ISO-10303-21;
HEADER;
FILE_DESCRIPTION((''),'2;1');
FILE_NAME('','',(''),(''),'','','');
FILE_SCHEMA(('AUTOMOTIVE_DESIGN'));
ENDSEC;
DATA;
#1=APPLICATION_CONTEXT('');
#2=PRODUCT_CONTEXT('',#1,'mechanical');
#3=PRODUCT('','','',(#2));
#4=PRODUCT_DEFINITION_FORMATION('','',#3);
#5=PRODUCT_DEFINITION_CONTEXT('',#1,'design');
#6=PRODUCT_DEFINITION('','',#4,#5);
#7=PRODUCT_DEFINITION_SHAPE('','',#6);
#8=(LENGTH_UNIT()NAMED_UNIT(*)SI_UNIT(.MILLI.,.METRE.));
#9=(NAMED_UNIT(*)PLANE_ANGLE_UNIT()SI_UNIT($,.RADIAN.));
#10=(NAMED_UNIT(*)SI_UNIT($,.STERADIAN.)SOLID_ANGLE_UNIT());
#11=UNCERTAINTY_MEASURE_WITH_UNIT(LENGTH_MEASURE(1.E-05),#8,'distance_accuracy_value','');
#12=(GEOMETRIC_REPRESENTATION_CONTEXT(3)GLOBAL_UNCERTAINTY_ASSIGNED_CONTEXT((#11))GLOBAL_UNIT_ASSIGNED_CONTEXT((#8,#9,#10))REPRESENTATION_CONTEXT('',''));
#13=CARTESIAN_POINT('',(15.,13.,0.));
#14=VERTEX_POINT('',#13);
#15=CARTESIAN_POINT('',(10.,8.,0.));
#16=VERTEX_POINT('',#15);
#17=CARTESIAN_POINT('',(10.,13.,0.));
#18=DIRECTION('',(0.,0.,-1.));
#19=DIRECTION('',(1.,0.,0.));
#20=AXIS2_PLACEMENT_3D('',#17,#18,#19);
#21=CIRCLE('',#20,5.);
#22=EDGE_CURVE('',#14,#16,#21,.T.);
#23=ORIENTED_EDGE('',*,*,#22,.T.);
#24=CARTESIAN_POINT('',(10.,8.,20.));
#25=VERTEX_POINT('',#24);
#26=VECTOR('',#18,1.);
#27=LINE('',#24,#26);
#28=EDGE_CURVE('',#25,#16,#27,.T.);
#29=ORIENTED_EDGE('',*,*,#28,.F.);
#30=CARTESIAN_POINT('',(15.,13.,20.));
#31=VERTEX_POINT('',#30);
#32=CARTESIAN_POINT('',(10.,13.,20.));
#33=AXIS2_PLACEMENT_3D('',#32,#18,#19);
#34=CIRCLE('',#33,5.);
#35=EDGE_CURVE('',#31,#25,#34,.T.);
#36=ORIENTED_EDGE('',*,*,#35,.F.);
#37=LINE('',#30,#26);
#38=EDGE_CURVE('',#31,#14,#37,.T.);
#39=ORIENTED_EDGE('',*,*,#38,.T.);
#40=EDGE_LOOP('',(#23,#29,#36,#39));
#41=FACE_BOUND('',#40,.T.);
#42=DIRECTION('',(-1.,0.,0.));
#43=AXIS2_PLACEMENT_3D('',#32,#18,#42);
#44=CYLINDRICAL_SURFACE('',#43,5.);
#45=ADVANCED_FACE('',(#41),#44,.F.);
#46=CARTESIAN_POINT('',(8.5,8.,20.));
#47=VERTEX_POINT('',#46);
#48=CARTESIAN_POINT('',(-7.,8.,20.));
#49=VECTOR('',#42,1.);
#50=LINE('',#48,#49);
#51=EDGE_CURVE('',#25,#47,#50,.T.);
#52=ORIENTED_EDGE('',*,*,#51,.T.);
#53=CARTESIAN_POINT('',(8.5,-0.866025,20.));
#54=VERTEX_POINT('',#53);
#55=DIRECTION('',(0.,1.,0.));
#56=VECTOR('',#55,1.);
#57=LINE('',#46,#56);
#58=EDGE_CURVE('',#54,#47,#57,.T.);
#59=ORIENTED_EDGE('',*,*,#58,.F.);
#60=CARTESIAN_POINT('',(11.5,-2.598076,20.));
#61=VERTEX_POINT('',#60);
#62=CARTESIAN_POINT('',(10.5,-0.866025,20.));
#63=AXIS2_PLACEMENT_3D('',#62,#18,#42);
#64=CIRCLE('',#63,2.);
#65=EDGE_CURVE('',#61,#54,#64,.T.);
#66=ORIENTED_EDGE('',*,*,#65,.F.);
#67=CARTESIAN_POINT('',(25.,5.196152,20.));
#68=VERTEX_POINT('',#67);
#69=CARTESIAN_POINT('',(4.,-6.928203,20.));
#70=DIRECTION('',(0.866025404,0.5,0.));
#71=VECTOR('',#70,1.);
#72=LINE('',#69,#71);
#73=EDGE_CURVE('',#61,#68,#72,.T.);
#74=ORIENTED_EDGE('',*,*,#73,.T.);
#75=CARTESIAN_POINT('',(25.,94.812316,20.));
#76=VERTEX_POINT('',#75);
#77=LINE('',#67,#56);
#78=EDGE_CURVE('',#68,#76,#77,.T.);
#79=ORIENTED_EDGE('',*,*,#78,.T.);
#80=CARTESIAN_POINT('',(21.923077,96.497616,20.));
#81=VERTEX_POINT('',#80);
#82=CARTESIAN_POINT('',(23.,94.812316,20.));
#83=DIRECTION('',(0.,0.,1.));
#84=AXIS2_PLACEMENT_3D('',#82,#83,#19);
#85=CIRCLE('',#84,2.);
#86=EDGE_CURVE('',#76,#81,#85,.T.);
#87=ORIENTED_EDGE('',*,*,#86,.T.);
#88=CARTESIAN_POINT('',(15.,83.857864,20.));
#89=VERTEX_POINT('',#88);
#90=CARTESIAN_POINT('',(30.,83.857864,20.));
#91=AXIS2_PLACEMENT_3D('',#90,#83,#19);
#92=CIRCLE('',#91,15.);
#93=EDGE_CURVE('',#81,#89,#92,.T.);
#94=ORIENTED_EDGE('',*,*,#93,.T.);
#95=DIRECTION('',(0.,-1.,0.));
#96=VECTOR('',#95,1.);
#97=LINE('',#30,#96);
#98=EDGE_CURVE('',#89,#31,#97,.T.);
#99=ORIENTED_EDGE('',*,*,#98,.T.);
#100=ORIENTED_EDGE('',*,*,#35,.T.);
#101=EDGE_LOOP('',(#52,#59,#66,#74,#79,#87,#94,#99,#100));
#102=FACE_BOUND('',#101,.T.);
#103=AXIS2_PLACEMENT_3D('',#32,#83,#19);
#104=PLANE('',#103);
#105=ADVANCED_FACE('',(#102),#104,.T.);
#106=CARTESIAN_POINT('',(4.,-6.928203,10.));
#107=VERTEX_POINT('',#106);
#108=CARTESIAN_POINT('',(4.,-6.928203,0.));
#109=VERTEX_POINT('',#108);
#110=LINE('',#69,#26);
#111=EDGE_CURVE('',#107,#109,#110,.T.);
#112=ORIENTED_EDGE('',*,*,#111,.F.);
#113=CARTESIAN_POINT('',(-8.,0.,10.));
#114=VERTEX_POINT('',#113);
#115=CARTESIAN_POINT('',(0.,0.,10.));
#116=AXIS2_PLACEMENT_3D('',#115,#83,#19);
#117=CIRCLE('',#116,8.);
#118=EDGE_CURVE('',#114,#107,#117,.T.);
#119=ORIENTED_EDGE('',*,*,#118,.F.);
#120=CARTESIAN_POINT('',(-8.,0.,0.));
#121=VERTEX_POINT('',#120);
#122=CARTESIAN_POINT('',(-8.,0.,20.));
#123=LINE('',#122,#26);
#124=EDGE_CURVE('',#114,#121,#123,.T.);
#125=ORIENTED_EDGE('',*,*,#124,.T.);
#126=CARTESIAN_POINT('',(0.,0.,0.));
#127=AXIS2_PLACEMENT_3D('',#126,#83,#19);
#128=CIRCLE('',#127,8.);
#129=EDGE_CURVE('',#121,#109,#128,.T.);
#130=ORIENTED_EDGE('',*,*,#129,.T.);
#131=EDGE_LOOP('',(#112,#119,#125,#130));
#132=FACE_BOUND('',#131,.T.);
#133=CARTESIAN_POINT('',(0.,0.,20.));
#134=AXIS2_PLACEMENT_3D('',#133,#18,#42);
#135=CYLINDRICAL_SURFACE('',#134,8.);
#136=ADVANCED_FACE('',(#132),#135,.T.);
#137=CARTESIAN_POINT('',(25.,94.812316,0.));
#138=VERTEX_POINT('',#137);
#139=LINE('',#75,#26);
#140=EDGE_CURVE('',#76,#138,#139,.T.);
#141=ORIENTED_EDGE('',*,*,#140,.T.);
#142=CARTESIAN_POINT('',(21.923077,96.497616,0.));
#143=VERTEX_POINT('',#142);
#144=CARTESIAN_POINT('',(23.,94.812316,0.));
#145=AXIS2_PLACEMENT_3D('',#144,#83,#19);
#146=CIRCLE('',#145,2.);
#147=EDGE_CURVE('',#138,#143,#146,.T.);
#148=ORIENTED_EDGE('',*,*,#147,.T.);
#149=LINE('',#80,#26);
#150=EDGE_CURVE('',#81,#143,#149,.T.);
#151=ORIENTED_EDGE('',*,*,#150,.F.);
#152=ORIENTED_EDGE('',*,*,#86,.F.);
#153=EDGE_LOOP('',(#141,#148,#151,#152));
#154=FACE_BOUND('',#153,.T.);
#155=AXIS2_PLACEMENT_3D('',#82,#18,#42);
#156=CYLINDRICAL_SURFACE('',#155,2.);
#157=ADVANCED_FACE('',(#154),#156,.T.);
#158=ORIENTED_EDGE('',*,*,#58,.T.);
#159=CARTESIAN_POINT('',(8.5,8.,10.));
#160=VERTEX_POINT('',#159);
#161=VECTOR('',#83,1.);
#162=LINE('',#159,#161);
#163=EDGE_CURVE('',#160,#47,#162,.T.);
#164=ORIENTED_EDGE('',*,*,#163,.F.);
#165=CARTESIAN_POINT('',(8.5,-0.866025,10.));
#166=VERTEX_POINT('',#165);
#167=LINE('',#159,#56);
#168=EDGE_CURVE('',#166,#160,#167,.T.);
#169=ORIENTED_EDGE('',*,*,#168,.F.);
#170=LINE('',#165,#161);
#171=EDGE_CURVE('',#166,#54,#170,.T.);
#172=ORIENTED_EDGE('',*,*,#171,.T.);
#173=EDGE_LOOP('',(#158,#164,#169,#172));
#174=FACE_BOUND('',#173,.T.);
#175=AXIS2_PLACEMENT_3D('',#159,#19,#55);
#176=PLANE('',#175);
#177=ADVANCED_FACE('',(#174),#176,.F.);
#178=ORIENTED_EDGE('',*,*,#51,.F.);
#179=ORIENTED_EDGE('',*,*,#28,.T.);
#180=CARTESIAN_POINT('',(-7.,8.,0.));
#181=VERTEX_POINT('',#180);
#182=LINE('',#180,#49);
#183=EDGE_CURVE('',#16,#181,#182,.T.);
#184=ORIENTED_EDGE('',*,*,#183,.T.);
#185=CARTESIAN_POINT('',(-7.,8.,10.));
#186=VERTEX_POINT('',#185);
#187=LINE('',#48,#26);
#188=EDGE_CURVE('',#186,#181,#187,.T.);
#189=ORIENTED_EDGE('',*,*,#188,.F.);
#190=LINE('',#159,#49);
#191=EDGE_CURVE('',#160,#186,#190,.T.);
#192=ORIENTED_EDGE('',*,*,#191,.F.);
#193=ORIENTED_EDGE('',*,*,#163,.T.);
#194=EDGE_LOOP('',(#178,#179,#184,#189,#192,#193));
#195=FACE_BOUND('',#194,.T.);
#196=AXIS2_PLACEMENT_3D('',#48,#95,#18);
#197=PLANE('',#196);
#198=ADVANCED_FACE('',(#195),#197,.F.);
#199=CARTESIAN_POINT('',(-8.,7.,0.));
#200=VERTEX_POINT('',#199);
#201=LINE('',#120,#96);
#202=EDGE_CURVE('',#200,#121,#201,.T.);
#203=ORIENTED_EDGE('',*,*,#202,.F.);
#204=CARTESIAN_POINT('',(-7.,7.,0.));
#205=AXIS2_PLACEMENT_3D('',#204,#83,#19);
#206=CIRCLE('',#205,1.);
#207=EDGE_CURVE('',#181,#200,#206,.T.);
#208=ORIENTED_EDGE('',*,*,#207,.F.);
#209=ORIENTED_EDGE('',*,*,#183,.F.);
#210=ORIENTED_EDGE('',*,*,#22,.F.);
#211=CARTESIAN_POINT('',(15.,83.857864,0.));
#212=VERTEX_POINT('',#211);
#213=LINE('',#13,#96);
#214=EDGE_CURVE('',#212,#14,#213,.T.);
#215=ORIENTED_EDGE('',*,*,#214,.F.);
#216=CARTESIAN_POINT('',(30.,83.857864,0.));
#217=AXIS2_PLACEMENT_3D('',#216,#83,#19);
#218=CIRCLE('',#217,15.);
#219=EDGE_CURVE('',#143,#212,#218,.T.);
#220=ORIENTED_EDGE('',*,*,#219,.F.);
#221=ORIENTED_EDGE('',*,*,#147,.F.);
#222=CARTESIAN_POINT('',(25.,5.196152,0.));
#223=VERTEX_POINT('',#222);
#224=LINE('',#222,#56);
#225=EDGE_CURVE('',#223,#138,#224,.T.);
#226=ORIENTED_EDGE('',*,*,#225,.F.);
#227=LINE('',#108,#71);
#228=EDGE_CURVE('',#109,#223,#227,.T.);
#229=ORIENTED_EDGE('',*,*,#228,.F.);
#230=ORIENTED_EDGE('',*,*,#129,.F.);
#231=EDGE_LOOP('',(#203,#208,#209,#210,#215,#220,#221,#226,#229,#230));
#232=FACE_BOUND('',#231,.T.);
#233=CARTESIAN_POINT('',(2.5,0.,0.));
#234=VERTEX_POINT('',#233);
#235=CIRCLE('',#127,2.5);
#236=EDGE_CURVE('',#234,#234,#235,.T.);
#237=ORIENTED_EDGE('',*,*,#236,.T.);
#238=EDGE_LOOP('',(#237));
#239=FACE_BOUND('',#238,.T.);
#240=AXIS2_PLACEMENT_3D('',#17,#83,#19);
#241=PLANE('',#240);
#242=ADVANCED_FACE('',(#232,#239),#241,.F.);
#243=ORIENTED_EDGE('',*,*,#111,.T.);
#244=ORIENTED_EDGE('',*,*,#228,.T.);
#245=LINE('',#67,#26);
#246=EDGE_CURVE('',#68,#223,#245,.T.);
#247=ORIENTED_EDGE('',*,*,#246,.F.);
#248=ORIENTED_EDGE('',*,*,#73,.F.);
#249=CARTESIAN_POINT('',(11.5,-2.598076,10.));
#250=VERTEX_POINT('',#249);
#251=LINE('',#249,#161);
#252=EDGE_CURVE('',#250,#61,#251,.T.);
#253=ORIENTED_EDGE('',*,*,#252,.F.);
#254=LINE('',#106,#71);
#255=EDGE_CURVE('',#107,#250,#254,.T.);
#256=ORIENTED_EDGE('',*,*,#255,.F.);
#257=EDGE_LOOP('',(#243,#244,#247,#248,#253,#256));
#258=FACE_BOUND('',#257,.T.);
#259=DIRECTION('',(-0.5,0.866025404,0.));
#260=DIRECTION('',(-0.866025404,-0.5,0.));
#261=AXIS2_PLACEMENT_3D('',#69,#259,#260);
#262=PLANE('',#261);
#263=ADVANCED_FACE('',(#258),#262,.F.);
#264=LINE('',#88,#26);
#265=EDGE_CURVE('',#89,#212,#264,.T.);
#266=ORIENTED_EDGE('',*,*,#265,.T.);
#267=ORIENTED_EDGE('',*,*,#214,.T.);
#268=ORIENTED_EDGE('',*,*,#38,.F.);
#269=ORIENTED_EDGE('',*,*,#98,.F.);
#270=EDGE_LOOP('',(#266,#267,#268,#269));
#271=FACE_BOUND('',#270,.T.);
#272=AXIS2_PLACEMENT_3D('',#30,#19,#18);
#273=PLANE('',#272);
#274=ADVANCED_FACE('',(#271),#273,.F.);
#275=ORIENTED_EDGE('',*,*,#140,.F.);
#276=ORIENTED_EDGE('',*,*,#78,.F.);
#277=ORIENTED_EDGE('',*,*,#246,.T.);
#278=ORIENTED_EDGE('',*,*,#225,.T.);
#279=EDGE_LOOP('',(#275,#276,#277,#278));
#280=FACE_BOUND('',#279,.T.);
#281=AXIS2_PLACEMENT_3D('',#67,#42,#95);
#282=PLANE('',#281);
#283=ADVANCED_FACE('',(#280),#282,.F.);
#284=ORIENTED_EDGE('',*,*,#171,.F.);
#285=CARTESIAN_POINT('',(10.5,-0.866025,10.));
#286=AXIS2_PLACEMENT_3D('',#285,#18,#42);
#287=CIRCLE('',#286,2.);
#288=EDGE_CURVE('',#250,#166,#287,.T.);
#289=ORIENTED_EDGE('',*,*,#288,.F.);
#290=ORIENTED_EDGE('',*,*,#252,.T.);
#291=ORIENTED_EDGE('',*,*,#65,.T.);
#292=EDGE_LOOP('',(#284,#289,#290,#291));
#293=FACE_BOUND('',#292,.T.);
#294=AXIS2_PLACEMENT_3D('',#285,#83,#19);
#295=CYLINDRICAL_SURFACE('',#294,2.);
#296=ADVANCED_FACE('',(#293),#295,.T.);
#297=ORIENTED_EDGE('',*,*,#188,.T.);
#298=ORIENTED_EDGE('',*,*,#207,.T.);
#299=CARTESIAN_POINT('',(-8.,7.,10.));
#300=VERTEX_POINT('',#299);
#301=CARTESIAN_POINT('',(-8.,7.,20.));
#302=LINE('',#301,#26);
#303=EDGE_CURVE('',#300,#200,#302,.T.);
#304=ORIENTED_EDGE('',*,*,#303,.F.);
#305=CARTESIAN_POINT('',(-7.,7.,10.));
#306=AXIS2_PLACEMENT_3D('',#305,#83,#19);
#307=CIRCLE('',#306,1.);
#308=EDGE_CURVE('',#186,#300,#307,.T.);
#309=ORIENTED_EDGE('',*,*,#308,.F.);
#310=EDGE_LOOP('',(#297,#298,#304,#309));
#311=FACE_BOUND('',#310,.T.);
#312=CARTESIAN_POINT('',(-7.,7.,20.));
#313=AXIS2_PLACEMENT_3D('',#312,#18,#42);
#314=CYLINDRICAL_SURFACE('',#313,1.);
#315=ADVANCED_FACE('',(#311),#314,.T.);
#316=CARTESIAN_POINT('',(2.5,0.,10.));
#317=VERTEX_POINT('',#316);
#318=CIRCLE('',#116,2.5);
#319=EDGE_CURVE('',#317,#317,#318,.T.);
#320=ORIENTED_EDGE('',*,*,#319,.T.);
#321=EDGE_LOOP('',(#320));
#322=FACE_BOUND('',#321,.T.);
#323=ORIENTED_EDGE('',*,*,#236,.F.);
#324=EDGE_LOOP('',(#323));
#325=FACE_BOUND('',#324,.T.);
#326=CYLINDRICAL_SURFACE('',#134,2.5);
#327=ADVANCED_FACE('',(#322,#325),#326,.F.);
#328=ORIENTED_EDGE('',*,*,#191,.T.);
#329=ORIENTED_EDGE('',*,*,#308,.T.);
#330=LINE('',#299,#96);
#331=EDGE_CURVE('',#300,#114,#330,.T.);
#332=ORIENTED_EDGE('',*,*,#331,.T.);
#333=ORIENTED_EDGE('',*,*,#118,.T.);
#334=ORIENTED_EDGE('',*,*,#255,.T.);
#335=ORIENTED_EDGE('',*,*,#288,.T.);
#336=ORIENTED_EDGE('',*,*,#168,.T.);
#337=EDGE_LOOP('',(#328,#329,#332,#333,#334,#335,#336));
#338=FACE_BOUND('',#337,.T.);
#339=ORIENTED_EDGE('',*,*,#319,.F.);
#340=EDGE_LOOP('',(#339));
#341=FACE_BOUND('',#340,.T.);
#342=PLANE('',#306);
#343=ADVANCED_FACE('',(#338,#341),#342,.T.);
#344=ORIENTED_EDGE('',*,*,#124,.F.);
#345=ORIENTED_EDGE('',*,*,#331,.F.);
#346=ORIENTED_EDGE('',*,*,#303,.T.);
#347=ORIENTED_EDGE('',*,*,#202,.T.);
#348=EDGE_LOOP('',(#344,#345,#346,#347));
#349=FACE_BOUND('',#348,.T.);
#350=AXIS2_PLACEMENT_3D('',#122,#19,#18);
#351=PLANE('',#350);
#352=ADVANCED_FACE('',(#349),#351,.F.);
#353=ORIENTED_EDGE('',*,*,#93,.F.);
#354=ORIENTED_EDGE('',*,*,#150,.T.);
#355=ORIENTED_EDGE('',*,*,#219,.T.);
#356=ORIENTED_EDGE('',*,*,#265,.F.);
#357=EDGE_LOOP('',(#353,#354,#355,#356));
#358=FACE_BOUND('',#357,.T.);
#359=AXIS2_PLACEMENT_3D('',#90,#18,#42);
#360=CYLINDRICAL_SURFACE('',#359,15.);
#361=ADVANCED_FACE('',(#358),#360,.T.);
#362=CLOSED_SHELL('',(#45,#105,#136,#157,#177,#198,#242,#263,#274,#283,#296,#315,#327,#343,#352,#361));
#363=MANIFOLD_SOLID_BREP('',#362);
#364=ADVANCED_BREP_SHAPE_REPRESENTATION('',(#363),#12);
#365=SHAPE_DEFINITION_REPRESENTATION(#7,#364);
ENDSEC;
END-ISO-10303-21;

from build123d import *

# Parameters (mm, degrees)
SKETCH1_R           = 2.5
BOSS_EXTRUDE1_DEPTH = 20
CUT_EXTRUDE1_DEPTH  = 10


with BuildPart() as part:
    # Sketch1 → Boss-Extrude1 (new body)
    with BuildSketch(Plane.XY):
        with BuildLine():
            Line((-7, 8), (10, 8))
            ThreePointArc((10, 8), (13.535533906, 9.464466094), (15, 13))
            Line((15, 13), (15, 83.857864376))
            ThreePointArc((15, 83.857864376), (16.84412971, 91.063631297), (21.923076923, 96.497615703))
            ThreePointArc((21.923076923, 96.497615703), (23.960768923, 96.566431565), (25, 94.812315526))
            Line((25, 94.812315526), (25, 5.196152423))
            Line((25, 5.196152423), (4, -6.92820323))
            ThreePointArc((4, -6.92820323), (-4, -6.92820323), (-8, 0))
            Line((-8, 0), (-8, 7))
            ThreePointArc((-8, 7), (-7.707106781, 7.707106781), (-7, 8))
        make_face()
        Circle(SKETCH1_R, mode=Mode.SUBTRACT)
    extrude(amount=BOSS_EXTRUDE1_DEPTH)

    # Sketch2 → Cut-Extrude1 (cut)
    with BuildSketch(Plane.XY.offset(20)):
        with BuildLine():
            Line((8.5, 8), (8.5, -0.866025404))
            ThreePointArc((8.5, -0.866025404), (9.5, -2.598076211), (11.5, -2.598076211))
            Line((11.5, -2.598076211), (4, -6.92820323))
            ThreePointArc((4, -6.92820323), (-4, -6.92820323), (-8, 0))
            Line((-8, 0), (-8, 7))
            ThreePointArc((-8, 7), (-7.707106781, 7.707106781), (-7, 8))
            Line((-7, 8), (8.5, 8))
        make_face()
    extrude(amount=-CUT_EXTRUDE1_DEPTH, mode=Mode.SUBTRACT)


solid = part.part
